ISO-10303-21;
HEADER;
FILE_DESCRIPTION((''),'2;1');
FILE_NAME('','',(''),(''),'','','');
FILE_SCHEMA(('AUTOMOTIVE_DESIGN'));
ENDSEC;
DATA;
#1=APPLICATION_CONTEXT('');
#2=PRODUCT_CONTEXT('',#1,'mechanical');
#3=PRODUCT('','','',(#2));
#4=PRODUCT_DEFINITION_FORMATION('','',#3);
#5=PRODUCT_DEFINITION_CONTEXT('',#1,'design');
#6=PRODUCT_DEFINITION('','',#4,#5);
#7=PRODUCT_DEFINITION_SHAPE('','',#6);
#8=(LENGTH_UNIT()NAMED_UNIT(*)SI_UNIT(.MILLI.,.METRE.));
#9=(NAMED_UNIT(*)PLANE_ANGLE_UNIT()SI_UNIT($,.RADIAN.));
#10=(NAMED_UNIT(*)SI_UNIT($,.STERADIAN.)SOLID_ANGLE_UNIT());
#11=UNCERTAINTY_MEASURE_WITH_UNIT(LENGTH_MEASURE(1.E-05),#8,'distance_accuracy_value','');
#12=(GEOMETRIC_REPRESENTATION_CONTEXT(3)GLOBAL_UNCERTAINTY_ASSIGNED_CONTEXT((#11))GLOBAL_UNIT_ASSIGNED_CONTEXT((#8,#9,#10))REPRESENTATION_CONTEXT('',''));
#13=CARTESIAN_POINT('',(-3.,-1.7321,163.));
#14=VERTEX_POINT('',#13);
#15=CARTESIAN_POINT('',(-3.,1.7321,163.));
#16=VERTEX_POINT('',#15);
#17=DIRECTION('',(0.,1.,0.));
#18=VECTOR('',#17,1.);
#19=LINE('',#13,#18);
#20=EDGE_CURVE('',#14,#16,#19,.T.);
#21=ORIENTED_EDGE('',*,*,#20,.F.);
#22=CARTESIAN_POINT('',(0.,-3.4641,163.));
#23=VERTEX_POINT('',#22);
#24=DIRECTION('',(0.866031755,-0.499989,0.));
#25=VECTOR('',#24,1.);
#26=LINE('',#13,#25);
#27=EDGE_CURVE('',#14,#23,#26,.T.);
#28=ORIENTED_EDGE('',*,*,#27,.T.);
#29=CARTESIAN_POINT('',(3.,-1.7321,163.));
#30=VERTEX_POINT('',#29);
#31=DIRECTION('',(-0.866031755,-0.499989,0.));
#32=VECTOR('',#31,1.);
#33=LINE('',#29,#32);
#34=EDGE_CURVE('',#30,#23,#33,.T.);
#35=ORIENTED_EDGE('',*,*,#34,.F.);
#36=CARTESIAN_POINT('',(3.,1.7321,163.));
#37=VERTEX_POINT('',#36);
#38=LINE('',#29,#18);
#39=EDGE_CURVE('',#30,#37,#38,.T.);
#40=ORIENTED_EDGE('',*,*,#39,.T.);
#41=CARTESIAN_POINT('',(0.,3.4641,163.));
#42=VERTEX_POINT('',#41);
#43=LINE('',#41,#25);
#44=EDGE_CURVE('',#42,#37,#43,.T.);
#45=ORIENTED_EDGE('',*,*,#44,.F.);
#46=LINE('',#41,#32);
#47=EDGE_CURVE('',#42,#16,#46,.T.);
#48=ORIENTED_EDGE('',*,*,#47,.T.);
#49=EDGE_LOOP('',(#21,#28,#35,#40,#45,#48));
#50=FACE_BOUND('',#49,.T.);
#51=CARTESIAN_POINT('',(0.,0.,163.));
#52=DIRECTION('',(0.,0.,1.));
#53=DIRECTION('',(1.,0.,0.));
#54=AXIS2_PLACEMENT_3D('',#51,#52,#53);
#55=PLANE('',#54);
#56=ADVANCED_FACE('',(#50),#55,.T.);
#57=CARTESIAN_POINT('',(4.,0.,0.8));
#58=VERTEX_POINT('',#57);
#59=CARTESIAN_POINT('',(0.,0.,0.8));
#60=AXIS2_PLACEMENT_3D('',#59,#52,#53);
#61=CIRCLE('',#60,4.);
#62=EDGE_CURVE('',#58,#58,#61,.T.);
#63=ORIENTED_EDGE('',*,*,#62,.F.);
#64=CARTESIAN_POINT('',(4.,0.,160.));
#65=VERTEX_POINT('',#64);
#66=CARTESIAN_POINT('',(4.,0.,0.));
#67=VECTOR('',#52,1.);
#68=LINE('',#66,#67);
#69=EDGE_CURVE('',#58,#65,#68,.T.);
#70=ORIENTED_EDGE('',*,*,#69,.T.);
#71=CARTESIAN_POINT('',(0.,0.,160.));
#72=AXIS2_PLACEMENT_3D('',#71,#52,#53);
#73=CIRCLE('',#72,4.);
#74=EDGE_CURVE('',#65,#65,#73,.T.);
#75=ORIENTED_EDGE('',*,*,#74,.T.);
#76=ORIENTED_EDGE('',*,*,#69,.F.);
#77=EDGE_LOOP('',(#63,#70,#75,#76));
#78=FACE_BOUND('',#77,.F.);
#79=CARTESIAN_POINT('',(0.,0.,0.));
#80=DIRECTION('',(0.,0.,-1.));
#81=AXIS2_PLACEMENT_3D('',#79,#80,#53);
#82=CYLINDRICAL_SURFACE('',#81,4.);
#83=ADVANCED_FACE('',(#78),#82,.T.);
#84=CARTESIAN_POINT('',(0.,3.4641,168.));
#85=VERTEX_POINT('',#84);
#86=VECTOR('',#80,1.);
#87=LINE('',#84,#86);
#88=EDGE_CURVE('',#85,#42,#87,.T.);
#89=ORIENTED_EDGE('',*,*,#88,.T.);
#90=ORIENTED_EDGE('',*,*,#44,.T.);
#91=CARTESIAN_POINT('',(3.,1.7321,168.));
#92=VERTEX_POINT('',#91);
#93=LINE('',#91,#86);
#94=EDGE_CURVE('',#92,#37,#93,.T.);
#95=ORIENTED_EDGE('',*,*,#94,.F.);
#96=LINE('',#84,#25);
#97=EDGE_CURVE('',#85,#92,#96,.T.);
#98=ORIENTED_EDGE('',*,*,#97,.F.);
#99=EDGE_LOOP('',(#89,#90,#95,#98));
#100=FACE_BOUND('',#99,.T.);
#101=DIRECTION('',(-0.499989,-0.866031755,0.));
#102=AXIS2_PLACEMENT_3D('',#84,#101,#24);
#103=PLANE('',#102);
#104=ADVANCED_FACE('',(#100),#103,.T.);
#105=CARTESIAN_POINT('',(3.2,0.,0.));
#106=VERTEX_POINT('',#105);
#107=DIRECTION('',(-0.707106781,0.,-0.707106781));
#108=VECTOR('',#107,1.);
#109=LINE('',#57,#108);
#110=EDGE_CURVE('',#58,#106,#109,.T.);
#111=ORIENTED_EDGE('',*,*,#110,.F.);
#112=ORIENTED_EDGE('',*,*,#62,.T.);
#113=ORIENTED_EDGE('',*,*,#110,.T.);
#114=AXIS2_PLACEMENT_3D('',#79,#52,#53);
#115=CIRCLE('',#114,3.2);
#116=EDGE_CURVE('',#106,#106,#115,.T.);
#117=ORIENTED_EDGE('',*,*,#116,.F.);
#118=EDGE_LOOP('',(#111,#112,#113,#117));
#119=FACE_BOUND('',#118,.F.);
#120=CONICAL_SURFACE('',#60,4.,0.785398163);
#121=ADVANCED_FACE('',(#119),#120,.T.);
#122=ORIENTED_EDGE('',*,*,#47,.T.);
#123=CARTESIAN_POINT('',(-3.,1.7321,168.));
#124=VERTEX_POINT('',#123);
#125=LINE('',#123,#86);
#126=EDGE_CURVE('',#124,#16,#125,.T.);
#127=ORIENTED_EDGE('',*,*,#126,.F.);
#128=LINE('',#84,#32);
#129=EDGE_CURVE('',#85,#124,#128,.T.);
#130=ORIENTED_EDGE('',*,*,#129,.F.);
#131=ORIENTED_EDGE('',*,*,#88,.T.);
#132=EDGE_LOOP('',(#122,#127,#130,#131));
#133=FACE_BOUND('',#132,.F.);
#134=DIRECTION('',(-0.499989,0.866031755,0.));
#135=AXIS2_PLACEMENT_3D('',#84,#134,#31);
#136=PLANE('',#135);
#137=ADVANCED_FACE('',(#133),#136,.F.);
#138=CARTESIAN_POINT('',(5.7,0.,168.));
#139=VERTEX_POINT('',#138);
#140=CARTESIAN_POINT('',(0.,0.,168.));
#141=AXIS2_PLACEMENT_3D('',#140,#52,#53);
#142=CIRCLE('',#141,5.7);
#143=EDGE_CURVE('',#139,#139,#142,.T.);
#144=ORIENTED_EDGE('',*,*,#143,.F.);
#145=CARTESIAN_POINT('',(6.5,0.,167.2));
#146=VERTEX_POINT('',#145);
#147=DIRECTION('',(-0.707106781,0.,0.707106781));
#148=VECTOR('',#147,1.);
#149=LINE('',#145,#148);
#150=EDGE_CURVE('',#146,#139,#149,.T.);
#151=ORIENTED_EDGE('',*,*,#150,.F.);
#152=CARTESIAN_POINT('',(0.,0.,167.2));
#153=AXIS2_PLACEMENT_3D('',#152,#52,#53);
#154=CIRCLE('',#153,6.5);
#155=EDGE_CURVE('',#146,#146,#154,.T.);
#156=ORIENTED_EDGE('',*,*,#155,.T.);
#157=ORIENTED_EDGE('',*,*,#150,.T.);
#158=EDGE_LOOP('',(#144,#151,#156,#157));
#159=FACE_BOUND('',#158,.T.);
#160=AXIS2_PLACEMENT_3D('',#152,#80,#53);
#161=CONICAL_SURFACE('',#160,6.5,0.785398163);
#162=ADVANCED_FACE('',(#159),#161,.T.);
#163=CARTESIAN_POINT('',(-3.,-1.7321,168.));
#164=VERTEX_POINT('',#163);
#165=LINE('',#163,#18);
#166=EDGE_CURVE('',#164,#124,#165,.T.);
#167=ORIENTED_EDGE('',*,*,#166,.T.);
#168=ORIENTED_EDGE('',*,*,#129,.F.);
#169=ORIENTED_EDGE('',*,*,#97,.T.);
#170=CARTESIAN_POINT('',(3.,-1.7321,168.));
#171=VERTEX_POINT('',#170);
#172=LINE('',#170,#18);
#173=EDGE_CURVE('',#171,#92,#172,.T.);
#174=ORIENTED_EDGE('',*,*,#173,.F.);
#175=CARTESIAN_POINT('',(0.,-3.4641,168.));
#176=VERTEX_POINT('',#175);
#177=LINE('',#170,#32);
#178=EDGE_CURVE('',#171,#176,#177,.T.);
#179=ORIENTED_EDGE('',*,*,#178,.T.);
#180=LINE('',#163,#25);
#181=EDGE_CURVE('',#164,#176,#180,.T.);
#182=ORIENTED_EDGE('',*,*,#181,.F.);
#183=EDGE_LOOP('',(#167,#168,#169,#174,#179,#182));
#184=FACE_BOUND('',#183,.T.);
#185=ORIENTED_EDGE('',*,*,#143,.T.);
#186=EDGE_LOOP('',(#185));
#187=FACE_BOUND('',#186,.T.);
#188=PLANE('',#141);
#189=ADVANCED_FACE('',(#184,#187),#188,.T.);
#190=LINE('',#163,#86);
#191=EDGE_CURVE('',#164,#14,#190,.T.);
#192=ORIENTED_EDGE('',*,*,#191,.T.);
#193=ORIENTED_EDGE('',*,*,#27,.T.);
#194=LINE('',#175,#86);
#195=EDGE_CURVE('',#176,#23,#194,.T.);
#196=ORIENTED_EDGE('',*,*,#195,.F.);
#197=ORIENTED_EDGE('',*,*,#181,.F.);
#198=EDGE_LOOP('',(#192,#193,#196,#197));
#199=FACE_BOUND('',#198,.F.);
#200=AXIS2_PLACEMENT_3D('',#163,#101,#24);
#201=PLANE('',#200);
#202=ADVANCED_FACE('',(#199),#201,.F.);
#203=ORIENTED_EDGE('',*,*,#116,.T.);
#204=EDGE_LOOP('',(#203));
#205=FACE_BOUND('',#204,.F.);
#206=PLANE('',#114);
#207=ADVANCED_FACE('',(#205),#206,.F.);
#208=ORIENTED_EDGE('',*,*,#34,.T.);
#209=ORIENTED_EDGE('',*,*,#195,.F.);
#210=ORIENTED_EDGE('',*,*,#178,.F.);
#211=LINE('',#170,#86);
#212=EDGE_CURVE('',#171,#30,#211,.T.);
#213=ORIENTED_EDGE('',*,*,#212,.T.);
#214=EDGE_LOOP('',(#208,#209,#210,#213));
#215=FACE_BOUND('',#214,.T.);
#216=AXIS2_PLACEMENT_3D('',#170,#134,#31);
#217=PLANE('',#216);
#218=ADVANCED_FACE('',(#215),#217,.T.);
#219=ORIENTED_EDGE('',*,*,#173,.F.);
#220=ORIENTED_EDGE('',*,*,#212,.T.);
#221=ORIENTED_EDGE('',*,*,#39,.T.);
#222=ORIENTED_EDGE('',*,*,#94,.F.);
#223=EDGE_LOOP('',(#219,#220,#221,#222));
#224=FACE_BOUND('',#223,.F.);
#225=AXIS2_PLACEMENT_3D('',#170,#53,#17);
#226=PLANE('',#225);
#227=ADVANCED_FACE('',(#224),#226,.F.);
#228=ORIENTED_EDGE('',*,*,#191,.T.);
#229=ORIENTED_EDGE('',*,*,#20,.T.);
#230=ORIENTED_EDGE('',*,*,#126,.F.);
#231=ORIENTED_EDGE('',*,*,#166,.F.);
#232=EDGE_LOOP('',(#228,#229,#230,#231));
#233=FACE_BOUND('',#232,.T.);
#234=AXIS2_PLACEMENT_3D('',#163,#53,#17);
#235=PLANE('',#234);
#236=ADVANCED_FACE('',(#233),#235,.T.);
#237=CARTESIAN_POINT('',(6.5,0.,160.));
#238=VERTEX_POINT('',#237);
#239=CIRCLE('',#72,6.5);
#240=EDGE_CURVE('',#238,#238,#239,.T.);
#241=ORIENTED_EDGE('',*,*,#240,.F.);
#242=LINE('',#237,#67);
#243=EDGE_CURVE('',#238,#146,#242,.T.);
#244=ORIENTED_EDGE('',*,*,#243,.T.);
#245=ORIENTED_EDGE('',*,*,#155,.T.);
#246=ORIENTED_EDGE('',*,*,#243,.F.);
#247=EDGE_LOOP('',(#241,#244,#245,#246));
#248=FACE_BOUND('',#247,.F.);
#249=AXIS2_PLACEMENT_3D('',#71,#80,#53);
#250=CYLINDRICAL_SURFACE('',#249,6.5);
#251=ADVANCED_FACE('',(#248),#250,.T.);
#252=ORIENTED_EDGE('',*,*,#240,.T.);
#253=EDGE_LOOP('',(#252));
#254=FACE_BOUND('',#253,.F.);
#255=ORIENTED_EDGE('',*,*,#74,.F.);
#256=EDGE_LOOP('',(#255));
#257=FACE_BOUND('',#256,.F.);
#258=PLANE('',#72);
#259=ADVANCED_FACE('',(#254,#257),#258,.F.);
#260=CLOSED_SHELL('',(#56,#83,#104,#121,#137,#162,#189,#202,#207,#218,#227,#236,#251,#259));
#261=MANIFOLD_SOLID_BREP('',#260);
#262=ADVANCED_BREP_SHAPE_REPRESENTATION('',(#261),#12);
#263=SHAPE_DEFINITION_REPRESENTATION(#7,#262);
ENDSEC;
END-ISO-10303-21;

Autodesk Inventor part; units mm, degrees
ref_plane "YZ Plane" through (0, 0, 0) normal (1, 0, 0) x (0, 1, 0)
ref_plane "XZ Plane" through (0, 0, 0) normal (0, 1, 0) x (-1, 0, 0)
ref_plane "XY Plane" through (0, 0, 0) normal (0, 0, 1) x (1, 0, 0)
sketch "Sketch1" plane through (0, 0, 0) normal (0, 0, 1) x (1, 0, 0)
  circle A0 centre (0, 0) radius 4
  dimension "Diameter" = 8
extrude "Extrusion1" add sketch "Sketch1" along normal blind 160
sketch "Sketch2" plane through (0, 0, 160) normal (0, 0, 1) x (1, 0, 0)
  circle A0 centre (0, 0) radius 4 projected
  circle A1 centre (0, 0) radius 6.5
  dimension "Head_Diameter" = 13
extrude "Extrusion2" add sketch "Sketch2" along normal blind 8 contours A0 | A1
sketch "Sketch3" plane through (0, 0, 168) normal (0, 0, 1) x (1, 0, 0)
  circle A0 centre (0, 0) radius 6.5 projected
  circle A1 centre (0, 0) radius 3.4641 construction
  line L0 (0, 3.4641) -> (3, 1.7321)
  line L1 (3, -1.7321) -> (3, 1.7321)
  line L2 (0, 3.4641) -> (-3, 1.7321)
  line L3 (-3, -1.7321) -> (-3, 1.7321)
  line L4 (-3, -1.7321) -> (0, -3.4641)
  line L5 (3, -1.7321) -> (0, -3.4641)
  dimension "Hex_Width" = 6
extrude "Extrusion3" cut sketch "Sketch3" against normal blind 5 contours L0 L1 L5 L4 L3 L2
thread "Thread1" size "M8x1.25" class "4g6g" standard "ANSI Metric M Profile" length 32
chamfer "Chamfer1" distance 0.8 angle 45 2 edges at (-6.5, 0, 168) (-4, 0, 0)
equation "\"d9\" = ThreadLength"
equation "\"ThreadLength\" = 32"
properties part number "SCREW, SOCKET HD, P, 12.9, M8X1.25X160MM"
